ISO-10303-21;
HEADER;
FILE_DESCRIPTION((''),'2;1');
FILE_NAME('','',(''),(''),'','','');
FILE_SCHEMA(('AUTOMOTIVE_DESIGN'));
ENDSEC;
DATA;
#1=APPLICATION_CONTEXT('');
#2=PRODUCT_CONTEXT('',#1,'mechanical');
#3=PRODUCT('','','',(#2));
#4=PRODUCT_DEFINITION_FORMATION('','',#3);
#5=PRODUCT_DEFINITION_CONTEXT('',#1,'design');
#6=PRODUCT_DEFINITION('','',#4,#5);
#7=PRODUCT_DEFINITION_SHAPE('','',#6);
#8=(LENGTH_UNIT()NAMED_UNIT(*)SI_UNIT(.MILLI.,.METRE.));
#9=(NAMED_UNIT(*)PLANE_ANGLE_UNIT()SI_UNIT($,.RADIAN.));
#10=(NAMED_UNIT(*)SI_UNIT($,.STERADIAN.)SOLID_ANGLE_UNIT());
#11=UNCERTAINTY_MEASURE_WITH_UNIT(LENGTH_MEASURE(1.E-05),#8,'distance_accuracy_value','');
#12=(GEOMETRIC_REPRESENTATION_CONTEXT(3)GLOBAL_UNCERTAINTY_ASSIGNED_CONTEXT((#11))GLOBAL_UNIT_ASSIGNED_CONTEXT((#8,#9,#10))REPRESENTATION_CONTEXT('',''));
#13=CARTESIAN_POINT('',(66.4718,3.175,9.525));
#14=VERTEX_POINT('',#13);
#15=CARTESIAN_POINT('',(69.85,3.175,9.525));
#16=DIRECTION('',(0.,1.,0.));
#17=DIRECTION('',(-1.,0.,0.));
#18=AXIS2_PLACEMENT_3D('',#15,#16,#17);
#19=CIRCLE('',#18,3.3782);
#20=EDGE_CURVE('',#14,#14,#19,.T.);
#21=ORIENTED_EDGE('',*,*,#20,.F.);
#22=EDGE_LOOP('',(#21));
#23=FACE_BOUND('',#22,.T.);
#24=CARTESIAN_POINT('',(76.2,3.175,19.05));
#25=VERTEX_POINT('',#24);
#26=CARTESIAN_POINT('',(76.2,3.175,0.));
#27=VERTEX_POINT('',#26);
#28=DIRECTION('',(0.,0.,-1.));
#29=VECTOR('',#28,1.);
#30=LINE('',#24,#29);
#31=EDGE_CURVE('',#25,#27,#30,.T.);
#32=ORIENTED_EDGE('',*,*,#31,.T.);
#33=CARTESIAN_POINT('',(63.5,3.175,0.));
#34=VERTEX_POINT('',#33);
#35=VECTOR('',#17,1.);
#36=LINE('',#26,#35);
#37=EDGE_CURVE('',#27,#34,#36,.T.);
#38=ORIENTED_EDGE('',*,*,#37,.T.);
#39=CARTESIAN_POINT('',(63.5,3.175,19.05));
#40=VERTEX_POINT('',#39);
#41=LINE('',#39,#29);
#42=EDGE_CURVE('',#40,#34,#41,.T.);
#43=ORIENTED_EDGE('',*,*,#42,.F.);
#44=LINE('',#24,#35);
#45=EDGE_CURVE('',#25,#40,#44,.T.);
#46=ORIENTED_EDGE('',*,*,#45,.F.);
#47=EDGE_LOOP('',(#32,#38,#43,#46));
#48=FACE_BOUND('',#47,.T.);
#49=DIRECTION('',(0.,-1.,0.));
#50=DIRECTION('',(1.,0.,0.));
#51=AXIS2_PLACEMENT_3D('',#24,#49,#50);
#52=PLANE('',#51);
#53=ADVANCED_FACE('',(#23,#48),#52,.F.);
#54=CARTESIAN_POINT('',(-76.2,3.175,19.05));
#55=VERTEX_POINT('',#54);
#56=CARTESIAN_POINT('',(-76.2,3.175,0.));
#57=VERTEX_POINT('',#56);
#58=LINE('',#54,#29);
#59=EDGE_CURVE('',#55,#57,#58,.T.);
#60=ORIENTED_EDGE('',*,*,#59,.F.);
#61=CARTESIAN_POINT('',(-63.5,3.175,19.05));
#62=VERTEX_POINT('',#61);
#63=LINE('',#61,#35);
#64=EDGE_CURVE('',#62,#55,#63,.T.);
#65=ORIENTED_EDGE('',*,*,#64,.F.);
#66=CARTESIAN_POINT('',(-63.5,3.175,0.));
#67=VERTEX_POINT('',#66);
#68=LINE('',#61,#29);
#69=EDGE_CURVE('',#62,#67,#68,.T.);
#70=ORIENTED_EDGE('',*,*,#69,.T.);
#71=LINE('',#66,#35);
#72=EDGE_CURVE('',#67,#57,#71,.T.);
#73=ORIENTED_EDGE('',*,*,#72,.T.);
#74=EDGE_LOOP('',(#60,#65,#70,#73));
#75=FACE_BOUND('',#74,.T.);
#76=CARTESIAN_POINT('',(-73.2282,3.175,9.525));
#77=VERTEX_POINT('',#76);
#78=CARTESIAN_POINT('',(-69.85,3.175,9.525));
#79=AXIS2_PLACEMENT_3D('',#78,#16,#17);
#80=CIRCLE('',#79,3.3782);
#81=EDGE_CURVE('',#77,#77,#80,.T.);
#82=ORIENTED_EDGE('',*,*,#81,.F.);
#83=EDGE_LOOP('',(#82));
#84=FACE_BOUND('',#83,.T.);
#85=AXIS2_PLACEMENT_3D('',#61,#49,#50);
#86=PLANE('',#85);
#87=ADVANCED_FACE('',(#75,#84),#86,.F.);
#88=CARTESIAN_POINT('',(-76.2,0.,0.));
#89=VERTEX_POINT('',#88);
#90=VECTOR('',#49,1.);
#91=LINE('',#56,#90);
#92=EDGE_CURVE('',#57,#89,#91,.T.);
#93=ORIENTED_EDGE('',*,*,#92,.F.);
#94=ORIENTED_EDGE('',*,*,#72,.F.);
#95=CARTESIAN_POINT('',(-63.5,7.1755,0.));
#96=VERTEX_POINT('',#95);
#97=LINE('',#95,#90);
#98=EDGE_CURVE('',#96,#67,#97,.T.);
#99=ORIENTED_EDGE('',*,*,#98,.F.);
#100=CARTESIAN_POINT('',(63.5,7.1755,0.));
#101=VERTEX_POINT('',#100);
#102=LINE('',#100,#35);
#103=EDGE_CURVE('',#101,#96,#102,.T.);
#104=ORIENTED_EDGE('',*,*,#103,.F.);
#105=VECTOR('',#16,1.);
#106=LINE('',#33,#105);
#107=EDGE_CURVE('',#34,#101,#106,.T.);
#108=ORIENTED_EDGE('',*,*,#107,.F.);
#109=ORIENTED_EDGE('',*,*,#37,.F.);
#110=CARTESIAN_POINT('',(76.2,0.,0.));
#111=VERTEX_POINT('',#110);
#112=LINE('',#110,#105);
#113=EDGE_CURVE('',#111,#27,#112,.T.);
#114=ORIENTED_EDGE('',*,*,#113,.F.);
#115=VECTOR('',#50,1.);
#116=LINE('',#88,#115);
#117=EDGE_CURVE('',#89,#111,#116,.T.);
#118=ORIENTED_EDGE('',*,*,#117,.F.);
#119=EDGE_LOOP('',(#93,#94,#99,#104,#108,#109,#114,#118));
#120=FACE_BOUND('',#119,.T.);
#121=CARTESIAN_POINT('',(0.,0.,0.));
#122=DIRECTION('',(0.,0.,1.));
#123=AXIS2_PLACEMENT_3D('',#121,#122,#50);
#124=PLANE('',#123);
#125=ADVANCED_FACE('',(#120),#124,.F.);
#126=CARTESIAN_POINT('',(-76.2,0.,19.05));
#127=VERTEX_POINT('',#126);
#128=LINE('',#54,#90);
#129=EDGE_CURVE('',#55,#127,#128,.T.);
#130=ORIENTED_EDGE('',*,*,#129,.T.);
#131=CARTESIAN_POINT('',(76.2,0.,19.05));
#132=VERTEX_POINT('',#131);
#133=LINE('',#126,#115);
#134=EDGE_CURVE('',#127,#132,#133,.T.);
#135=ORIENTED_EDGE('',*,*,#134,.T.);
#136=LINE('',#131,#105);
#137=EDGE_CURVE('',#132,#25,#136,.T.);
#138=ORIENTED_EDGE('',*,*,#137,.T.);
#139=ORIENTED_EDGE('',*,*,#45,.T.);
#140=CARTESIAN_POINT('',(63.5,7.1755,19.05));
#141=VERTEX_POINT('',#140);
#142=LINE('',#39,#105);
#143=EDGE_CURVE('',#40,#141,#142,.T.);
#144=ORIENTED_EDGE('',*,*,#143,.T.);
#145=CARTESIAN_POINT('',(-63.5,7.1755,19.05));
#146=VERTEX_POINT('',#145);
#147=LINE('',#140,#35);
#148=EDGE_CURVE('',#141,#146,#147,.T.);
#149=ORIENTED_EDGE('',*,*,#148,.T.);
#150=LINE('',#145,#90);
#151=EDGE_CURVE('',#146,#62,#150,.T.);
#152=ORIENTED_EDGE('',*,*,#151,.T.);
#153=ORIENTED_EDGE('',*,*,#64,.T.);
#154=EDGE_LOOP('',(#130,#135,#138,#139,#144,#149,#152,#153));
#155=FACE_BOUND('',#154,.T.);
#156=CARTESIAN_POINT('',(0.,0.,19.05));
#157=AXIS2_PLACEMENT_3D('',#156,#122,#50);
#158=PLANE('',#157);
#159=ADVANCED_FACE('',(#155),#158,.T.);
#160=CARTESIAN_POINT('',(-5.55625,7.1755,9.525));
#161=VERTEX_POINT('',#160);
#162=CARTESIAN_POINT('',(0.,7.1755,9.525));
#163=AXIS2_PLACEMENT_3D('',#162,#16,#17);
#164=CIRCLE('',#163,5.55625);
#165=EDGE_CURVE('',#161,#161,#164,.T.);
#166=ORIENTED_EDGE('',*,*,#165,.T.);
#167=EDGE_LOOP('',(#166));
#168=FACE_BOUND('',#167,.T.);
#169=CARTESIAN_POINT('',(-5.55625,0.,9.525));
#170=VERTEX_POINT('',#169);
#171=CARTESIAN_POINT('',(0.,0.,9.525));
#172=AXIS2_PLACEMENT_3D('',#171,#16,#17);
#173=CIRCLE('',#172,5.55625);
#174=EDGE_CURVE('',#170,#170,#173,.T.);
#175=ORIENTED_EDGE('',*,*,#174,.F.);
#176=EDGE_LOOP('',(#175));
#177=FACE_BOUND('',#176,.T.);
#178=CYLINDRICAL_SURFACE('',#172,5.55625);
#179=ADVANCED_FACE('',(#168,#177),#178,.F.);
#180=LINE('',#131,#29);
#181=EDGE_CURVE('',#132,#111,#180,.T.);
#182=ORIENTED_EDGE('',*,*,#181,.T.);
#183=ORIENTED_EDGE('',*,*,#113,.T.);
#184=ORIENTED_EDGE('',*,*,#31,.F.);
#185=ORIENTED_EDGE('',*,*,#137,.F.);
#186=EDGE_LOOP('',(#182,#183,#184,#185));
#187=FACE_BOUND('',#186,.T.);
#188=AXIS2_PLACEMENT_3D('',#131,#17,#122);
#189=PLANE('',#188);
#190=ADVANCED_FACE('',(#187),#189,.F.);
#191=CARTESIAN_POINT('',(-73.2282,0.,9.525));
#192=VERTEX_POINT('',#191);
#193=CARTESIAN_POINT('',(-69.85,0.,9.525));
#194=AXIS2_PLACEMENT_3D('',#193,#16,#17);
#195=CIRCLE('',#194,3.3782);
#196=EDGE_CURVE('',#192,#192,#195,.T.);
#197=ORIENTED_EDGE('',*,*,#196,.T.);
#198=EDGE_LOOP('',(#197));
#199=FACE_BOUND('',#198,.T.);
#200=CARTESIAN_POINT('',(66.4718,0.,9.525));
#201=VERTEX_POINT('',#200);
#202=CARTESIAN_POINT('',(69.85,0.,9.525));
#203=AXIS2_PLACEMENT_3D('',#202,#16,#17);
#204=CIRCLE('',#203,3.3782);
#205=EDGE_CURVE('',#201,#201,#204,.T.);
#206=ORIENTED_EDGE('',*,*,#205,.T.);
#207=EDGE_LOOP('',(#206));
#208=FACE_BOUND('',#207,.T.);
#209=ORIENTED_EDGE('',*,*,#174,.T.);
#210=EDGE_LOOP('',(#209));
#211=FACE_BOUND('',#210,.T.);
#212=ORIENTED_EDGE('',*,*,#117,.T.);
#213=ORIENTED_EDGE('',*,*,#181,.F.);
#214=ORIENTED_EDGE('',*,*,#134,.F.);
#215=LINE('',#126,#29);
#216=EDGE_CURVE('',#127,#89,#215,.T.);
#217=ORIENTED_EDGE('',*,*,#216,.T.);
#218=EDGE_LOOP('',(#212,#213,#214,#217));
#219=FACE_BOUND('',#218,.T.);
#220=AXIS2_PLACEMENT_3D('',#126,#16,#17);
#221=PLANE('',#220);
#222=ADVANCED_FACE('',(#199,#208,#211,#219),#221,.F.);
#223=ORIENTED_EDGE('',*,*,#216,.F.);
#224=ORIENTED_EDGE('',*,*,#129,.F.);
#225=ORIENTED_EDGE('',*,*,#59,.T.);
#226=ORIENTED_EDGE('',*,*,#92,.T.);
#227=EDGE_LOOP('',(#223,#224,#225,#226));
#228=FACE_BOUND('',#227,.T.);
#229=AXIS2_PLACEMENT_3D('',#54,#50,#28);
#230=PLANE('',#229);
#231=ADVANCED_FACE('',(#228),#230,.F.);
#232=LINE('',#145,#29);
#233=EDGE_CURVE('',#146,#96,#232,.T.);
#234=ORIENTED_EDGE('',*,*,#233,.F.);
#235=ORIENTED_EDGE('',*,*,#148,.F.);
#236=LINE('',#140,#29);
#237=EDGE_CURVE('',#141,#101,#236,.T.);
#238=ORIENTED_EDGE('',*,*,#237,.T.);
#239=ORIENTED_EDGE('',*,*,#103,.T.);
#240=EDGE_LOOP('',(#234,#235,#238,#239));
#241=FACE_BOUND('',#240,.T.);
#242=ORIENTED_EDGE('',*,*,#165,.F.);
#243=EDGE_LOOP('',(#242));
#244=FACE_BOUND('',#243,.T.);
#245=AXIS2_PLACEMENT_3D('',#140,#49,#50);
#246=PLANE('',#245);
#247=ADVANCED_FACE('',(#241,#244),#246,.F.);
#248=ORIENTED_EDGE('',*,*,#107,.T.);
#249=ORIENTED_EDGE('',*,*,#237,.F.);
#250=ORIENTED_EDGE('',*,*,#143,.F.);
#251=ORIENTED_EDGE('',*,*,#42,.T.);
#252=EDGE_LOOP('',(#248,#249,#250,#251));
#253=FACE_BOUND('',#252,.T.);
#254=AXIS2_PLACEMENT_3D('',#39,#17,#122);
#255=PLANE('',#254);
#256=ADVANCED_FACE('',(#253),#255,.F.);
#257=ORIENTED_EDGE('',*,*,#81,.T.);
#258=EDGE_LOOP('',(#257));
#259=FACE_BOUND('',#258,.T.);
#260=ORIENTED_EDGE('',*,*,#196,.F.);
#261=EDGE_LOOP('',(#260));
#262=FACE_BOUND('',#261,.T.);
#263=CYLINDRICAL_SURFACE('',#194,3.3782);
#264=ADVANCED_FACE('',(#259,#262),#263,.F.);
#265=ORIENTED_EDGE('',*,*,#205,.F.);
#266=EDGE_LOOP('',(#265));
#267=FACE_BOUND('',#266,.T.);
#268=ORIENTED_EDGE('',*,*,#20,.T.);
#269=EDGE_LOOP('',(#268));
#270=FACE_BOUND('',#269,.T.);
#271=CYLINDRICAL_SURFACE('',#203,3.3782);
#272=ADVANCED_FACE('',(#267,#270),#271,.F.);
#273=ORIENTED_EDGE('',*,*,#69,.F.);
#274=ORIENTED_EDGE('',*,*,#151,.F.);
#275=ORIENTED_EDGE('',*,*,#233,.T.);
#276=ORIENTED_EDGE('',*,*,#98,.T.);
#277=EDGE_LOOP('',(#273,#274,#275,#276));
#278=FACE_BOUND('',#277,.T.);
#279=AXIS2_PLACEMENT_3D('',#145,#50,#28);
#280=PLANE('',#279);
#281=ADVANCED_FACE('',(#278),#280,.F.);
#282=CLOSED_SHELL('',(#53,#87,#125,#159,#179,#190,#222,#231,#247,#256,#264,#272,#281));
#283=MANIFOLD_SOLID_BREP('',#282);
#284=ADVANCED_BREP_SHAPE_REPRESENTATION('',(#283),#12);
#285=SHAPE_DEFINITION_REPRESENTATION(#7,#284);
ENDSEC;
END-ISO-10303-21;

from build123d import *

# Parameters (mm, degrees)
BOSS_EXTRUDE1_DEPTH = 19.05
SKETCH2_R           = 5.55625
CUT_EXTRUDE1_DEPTH  = 8.1755
SKETCH3_R           = 3.3782
CUT_EXTRUDE2_DEPTH  = 4.175


with BuildPart() as part:
    # Sketch1 → Boss-Extrude1 (new body)
    with BuildSketch(Plane.XY):
        Polygon((-76.2, 0), (76.2, 0), (76.2, 3.175), (63.5, 3.175), (63.5, 7.1755), (-63.5, 7.1755), (-63.5, 3.175), (-76.2, 3.175), align=None)
    extrude(amount=BOSS_EXTRUDE1_DEPTH)

    # Sketch2 → Cut-Extrude1 (cut, through all)
    with BuildSketch(Plane(origin=(0, 7.1755, 0), x_dir=(1, 0, 0), z_dir=(0, 1, 0))):
        with Locations((0, -9.525)):
            Circle(SKETCH2_R)
    extrude(amount=-CUT_EXTRUDE1_DEPTH, mode=Mode.SUBTRACT)

    # Sketch3 → Cut-Extrude2 (cut, through all)
    with BuildSketch(Plane(origin=(0, 3.175, 0), x_dir=(1, 0, 0), z_dir=(0, 1, 0))):
        with Locations((-69.85, -9.525)):
            Circle(SKETCH3_R)
        with Locations((69.85, -9.525)):
            Circle(SKETCH3_R)
    extrude(amount=-CUT_EXTRUDE2_DEPTH, mode=Mode.SUBTRACT)


solid = part.part
